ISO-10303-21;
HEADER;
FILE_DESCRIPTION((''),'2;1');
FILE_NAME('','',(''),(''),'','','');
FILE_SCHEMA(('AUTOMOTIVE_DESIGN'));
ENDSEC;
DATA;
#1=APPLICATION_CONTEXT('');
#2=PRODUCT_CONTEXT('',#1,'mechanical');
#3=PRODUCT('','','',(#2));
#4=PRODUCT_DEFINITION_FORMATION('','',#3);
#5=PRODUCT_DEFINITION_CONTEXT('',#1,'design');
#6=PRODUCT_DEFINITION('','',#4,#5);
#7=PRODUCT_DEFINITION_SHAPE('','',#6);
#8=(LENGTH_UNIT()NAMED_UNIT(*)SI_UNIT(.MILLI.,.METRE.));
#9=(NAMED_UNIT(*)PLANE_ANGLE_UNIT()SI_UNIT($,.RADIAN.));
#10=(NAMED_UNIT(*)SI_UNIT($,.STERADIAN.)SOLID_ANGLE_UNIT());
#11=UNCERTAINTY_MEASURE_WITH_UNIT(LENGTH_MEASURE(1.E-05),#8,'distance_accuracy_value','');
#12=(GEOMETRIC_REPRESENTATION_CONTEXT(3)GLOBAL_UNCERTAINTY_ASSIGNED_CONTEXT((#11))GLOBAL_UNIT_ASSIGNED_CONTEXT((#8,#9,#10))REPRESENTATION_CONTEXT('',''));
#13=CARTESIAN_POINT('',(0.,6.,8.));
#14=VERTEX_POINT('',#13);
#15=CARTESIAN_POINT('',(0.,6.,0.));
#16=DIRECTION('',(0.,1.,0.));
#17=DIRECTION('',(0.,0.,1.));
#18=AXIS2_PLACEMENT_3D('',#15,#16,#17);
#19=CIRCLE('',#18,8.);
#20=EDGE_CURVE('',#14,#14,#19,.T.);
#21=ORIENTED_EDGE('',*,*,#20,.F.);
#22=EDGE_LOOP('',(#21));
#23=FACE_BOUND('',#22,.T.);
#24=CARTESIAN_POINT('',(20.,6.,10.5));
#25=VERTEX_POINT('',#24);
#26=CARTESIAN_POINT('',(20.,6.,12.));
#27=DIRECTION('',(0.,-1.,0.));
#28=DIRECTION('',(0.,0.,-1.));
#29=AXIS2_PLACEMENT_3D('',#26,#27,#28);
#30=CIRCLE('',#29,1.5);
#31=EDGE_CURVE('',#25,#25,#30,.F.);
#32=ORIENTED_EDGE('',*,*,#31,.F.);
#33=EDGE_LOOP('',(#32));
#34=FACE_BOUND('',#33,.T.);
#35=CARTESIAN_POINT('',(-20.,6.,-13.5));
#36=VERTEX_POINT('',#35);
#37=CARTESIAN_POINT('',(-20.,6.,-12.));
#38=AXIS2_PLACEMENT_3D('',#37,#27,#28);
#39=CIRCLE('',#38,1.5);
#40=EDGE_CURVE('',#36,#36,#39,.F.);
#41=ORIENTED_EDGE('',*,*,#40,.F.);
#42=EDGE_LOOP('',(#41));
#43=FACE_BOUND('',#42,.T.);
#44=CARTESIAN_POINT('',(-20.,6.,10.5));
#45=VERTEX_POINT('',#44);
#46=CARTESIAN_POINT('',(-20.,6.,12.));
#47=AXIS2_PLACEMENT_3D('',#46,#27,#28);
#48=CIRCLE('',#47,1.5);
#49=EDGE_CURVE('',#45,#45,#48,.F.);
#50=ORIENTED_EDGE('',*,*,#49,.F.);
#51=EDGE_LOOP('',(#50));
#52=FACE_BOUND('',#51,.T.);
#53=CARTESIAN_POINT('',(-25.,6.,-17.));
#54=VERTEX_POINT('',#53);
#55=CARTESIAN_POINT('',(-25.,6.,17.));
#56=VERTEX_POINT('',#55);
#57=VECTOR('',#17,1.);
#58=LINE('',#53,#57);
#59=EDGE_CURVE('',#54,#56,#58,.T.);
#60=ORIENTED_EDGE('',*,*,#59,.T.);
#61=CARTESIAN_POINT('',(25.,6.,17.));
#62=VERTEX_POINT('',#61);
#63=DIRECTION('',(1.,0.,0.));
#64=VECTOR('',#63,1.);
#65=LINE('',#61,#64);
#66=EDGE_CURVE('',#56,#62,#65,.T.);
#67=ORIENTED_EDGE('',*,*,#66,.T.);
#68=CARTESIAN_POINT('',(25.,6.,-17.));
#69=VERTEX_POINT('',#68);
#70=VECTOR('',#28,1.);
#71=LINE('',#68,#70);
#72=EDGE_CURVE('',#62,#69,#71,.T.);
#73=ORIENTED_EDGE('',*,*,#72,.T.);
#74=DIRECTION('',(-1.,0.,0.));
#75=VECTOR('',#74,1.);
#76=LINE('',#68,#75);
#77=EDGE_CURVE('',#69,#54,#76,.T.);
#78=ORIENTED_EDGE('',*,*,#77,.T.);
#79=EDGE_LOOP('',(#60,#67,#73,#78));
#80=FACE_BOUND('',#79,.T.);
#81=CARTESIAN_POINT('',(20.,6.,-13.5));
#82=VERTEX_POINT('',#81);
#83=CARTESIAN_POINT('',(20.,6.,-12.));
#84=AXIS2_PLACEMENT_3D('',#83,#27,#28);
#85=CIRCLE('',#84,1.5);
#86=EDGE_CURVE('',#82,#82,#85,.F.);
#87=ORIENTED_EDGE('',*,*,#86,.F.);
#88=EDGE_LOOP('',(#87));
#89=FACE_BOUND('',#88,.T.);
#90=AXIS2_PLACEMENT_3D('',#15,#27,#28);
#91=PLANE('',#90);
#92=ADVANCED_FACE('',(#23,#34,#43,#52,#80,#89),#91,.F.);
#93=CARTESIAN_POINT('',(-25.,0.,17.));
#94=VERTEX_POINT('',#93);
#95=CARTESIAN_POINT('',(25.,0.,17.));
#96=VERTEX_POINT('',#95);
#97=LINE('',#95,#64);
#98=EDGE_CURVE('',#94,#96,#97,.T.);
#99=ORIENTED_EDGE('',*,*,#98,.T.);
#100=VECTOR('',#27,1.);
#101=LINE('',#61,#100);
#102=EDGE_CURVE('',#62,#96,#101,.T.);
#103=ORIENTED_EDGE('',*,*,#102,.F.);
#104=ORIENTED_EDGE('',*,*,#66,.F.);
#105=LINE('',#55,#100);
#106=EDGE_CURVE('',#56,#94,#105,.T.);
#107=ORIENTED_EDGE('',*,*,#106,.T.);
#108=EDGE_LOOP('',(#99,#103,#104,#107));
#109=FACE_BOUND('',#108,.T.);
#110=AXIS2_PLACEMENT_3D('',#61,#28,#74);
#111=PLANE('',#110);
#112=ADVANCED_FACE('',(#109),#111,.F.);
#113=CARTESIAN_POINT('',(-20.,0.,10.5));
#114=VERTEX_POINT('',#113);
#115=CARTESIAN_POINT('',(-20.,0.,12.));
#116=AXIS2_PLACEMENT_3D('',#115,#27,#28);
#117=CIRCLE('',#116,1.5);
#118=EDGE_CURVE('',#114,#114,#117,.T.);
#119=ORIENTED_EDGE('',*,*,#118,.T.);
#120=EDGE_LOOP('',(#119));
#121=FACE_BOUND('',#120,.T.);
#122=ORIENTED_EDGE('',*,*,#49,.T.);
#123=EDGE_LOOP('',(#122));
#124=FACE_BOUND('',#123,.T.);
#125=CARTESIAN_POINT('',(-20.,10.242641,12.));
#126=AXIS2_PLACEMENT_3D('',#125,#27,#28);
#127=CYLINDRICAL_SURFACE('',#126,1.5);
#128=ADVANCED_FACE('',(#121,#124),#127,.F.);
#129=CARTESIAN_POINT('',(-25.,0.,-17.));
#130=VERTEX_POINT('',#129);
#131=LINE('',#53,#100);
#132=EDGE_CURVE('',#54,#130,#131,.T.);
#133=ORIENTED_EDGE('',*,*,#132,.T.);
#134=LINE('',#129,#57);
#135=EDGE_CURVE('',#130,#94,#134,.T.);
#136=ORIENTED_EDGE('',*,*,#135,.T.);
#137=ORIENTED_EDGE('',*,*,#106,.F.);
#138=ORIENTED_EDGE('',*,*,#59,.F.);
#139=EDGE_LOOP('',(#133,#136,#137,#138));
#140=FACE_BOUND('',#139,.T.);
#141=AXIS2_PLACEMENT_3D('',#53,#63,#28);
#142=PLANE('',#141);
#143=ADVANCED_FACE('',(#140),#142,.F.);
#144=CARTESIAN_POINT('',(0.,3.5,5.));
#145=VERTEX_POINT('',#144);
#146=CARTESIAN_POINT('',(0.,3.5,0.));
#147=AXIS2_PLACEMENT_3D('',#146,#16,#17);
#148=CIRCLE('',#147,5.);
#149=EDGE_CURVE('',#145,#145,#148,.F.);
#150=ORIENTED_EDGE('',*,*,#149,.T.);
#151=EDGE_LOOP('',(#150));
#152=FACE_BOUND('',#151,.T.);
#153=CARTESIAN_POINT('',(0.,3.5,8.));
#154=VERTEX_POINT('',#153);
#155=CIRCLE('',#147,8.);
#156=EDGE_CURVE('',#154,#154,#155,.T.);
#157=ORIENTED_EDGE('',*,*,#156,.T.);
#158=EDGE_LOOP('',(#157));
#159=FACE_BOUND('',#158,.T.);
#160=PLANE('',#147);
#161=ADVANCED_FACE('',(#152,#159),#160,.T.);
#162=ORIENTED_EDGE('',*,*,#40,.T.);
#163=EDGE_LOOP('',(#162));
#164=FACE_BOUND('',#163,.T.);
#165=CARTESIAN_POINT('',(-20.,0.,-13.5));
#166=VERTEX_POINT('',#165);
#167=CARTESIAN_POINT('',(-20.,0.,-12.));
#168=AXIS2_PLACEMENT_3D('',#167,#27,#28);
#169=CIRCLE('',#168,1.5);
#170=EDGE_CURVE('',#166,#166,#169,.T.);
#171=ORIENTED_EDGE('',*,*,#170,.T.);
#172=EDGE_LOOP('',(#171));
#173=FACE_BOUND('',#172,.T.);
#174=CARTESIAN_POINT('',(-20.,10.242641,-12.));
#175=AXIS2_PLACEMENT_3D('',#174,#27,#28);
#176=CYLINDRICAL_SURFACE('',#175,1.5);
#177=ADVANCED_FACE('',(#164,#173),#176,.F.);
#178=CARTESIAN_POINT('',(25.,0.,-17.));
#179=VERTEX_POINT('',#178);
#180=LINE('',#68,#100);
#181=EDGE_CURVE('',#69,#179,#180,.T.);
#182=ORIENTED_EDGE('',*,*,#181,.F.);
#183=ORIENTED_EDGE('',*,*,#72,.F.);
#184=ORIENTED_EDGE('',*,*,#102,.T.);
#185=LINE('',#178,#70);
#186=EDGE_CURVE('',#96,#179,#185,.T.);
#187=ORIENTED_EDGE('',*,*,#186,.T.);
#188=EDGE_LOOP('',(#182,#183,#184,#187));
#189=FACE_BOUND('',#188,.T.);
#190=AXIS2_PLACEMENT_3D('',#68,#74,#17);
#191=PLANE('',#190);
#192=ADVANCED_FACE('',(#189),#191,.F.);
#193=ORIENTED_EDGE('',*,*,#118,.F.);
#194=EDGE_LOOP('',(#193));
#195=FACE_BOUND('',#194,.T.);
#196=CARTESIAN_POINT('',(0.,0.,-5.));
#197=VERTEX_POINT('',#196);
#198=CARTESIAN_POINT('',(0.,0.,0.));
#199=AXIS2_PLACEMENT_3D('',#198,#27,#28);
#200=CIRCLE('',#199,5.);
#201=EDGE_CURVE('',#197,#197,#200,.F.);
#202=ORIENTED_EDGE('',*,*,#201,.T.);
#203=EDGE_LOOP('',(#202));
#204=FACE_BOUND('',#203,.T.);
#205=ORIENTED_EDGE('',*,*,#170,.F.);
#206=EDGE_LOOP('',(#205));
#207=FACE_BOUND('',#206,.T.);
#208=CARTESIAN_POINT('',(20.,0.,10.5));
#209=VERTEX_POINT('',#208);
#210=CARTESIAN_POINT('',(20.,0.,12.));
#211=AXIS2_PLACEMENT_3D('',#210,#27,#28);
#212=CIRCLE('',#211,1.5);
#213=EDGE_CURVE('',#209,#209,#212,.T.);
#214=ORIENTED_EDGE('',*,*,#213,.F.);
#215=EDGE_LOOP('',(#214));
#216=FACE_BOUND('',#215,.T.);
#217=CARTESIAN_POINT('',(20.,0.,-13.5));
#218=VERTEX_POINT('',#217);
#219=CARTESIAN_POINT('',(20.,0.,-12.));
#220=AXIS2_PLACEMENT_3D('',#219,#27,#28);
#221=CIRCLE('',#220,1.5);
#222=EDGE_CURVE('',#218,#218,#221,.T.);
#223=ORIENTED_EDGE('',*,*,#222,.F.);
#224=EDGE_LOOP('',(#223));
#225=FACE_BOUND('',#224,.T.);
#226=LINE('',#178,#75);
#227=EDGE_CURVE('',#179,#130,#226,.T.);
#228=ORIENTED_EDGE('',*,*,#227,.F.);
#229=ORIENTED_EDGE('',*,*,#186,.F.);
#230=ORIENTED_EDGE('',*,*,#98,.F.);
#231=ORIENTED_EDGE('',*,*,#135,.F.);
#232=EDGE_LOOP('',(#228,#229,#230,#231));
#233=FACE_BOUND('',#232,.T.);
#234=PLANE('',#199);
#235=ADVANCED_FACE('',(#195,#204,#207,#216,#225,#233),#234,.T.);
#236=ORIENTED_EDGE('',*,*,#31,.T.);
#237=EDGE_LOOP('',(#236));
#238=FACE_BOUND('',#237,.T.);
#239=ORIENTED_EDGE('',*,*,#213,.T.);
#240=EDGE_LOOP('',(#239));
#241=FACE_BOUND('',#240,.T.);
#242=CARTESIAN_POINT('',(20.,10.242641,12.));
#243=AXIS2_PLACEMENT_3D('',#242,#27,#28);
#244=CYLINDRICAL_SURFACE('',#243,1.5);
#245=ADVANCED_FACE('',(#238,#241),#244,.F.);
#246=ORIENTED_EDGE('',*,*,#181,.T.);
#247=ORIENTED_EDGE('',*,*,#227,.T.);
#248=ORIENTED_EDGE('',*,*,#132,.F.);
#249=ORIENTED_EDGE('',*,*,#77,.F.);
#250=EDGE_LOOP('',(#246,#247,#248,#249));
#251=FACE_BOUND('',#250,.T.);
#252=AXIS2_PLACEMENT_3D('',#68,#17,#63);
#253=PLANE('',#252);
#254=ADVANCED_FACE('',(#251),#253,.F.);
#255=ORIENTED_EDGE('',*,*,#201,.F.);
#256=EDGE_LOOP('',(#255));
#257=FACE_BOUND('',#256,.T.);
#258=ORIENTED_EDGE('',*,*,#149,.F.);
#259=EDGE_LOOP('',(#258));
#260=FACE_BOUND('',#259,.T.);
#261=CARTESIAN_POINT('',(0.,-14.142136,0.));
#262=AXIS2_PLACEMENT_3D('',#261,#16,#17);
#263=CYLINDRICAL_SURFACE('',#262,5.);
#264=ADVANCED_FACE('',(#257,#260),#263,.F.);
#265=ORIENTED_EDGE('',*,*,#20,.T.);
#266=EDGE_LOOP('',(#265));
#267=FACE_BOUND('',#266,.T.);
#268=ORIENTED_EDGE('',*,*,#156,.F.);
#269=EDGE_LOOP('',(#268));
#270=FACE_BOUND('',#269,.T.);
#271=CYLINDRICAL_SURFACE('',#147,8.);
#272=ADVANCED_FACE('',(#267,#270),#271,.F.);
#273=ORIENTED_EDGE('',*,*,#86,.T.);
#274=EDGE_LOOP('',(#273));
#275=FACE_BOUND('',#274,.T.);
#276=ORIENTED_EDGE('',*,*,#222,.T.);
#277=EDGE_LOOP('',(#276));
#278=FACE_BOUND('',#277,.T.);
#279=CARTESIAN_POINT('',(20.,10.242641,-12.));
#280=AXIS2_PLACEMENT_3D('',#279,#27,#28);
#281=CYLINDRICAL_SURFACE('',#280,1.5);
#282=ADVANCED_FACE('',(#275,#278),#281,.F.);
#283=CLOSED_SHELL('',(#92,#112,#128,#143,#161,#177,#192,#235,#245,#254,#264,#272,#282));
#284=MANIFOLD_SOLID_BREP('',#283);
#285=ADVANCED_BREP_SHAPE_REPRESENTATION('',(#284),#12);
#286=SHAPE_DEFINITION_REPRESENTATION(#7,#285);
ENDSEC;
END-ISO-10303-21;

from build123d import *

# Parameters (mm, degrees)
SKETCH1_W                                = 50
SKETCH1_H                                = 34
BEARING_HOLDER_PLATE_BOSS_EXTRUDE1_DEPTH = 6
SKETCH3_R                                = 1.5
MOUNTING_HOLES_CUT_EXTRUDE1_DEPTH        = 6
SKETCH4_R                                = 5
SHAFT_CUT_EXTRUDE2_DEPTH                 = 6
SKETCH5_R                                = 8
BEARING_CUT_EXTRUDE3_DEPTH               = 2.5


with BuildPart() as part:
    # Sketch1 → Bearing Holder Plate Boss-Extrude1 (new body)
    with BuildSketch(Plane(origin=(0, 0, 0), x_dir=(1, 0, 0), z_dir=(0, 1, 0))):
        Rectangle(SKETCH1_W, SKETCH1_H)
    extrude(amount=BEARING_HOLDER_PLATE_BOSS_EXTRUDE1_DEPTH)

    # Sketch3 → Mounting Holes Cut-Extrude1 (cut)
    with BuildSketch(Plane.XZ):
        with Locations(Location((20, 12, 0), (0, 0, 270))):
            Circle(SKETCH3_R)
        with Locations(Location((-20, 12, 0), (0, 0, 270))):
            Circle(SKETCH3_R)
        with Locations(Location((-20, -12, 0), (0, 0, 270))):
            Circle(SKETCH3_R)
        with Locations(Location((20, -12, 0), (0, 0, 270))):
            Circle(SKETCH3_R)
    extrude(amount=-MOUNTING_HOLES_CUT_EXTRUDE1_DEPTH, mode=Mode.SUBTRACT)

    # Sketch4 → Shaft Cut-Extrude2 (cut)
    with BuildSketch(Plane(origin=(0, 6, 0), x_dir=(1, 0, 0), z_dir=(0, 1, 0))):
        with Locations(Location((0, 0, 0), (0, 0, 270))):
            Circle(SKETCH4_R)
    extrude(amount=-SHAFT_CUT_EXTRUDE2_DEPTH, mode=Mode.SUBTRACT)

    # Sketch5 → Bearing Cut-Extrude3 (cut)
    with BuildSketch(Plane(origin=(0, 6, 0), x_dir=(1, 0, 0), z_dir=(0, 1, 0))):
        with Locations(Location((0, 0, 0), (0, 0, 270))):
            Circle(SKETCH5_R)
    extrude(amount=-BEARING_CUT_EXTRUDE3_DEPTH, mode=Mode.SUBTRACT)


solid = part.part
